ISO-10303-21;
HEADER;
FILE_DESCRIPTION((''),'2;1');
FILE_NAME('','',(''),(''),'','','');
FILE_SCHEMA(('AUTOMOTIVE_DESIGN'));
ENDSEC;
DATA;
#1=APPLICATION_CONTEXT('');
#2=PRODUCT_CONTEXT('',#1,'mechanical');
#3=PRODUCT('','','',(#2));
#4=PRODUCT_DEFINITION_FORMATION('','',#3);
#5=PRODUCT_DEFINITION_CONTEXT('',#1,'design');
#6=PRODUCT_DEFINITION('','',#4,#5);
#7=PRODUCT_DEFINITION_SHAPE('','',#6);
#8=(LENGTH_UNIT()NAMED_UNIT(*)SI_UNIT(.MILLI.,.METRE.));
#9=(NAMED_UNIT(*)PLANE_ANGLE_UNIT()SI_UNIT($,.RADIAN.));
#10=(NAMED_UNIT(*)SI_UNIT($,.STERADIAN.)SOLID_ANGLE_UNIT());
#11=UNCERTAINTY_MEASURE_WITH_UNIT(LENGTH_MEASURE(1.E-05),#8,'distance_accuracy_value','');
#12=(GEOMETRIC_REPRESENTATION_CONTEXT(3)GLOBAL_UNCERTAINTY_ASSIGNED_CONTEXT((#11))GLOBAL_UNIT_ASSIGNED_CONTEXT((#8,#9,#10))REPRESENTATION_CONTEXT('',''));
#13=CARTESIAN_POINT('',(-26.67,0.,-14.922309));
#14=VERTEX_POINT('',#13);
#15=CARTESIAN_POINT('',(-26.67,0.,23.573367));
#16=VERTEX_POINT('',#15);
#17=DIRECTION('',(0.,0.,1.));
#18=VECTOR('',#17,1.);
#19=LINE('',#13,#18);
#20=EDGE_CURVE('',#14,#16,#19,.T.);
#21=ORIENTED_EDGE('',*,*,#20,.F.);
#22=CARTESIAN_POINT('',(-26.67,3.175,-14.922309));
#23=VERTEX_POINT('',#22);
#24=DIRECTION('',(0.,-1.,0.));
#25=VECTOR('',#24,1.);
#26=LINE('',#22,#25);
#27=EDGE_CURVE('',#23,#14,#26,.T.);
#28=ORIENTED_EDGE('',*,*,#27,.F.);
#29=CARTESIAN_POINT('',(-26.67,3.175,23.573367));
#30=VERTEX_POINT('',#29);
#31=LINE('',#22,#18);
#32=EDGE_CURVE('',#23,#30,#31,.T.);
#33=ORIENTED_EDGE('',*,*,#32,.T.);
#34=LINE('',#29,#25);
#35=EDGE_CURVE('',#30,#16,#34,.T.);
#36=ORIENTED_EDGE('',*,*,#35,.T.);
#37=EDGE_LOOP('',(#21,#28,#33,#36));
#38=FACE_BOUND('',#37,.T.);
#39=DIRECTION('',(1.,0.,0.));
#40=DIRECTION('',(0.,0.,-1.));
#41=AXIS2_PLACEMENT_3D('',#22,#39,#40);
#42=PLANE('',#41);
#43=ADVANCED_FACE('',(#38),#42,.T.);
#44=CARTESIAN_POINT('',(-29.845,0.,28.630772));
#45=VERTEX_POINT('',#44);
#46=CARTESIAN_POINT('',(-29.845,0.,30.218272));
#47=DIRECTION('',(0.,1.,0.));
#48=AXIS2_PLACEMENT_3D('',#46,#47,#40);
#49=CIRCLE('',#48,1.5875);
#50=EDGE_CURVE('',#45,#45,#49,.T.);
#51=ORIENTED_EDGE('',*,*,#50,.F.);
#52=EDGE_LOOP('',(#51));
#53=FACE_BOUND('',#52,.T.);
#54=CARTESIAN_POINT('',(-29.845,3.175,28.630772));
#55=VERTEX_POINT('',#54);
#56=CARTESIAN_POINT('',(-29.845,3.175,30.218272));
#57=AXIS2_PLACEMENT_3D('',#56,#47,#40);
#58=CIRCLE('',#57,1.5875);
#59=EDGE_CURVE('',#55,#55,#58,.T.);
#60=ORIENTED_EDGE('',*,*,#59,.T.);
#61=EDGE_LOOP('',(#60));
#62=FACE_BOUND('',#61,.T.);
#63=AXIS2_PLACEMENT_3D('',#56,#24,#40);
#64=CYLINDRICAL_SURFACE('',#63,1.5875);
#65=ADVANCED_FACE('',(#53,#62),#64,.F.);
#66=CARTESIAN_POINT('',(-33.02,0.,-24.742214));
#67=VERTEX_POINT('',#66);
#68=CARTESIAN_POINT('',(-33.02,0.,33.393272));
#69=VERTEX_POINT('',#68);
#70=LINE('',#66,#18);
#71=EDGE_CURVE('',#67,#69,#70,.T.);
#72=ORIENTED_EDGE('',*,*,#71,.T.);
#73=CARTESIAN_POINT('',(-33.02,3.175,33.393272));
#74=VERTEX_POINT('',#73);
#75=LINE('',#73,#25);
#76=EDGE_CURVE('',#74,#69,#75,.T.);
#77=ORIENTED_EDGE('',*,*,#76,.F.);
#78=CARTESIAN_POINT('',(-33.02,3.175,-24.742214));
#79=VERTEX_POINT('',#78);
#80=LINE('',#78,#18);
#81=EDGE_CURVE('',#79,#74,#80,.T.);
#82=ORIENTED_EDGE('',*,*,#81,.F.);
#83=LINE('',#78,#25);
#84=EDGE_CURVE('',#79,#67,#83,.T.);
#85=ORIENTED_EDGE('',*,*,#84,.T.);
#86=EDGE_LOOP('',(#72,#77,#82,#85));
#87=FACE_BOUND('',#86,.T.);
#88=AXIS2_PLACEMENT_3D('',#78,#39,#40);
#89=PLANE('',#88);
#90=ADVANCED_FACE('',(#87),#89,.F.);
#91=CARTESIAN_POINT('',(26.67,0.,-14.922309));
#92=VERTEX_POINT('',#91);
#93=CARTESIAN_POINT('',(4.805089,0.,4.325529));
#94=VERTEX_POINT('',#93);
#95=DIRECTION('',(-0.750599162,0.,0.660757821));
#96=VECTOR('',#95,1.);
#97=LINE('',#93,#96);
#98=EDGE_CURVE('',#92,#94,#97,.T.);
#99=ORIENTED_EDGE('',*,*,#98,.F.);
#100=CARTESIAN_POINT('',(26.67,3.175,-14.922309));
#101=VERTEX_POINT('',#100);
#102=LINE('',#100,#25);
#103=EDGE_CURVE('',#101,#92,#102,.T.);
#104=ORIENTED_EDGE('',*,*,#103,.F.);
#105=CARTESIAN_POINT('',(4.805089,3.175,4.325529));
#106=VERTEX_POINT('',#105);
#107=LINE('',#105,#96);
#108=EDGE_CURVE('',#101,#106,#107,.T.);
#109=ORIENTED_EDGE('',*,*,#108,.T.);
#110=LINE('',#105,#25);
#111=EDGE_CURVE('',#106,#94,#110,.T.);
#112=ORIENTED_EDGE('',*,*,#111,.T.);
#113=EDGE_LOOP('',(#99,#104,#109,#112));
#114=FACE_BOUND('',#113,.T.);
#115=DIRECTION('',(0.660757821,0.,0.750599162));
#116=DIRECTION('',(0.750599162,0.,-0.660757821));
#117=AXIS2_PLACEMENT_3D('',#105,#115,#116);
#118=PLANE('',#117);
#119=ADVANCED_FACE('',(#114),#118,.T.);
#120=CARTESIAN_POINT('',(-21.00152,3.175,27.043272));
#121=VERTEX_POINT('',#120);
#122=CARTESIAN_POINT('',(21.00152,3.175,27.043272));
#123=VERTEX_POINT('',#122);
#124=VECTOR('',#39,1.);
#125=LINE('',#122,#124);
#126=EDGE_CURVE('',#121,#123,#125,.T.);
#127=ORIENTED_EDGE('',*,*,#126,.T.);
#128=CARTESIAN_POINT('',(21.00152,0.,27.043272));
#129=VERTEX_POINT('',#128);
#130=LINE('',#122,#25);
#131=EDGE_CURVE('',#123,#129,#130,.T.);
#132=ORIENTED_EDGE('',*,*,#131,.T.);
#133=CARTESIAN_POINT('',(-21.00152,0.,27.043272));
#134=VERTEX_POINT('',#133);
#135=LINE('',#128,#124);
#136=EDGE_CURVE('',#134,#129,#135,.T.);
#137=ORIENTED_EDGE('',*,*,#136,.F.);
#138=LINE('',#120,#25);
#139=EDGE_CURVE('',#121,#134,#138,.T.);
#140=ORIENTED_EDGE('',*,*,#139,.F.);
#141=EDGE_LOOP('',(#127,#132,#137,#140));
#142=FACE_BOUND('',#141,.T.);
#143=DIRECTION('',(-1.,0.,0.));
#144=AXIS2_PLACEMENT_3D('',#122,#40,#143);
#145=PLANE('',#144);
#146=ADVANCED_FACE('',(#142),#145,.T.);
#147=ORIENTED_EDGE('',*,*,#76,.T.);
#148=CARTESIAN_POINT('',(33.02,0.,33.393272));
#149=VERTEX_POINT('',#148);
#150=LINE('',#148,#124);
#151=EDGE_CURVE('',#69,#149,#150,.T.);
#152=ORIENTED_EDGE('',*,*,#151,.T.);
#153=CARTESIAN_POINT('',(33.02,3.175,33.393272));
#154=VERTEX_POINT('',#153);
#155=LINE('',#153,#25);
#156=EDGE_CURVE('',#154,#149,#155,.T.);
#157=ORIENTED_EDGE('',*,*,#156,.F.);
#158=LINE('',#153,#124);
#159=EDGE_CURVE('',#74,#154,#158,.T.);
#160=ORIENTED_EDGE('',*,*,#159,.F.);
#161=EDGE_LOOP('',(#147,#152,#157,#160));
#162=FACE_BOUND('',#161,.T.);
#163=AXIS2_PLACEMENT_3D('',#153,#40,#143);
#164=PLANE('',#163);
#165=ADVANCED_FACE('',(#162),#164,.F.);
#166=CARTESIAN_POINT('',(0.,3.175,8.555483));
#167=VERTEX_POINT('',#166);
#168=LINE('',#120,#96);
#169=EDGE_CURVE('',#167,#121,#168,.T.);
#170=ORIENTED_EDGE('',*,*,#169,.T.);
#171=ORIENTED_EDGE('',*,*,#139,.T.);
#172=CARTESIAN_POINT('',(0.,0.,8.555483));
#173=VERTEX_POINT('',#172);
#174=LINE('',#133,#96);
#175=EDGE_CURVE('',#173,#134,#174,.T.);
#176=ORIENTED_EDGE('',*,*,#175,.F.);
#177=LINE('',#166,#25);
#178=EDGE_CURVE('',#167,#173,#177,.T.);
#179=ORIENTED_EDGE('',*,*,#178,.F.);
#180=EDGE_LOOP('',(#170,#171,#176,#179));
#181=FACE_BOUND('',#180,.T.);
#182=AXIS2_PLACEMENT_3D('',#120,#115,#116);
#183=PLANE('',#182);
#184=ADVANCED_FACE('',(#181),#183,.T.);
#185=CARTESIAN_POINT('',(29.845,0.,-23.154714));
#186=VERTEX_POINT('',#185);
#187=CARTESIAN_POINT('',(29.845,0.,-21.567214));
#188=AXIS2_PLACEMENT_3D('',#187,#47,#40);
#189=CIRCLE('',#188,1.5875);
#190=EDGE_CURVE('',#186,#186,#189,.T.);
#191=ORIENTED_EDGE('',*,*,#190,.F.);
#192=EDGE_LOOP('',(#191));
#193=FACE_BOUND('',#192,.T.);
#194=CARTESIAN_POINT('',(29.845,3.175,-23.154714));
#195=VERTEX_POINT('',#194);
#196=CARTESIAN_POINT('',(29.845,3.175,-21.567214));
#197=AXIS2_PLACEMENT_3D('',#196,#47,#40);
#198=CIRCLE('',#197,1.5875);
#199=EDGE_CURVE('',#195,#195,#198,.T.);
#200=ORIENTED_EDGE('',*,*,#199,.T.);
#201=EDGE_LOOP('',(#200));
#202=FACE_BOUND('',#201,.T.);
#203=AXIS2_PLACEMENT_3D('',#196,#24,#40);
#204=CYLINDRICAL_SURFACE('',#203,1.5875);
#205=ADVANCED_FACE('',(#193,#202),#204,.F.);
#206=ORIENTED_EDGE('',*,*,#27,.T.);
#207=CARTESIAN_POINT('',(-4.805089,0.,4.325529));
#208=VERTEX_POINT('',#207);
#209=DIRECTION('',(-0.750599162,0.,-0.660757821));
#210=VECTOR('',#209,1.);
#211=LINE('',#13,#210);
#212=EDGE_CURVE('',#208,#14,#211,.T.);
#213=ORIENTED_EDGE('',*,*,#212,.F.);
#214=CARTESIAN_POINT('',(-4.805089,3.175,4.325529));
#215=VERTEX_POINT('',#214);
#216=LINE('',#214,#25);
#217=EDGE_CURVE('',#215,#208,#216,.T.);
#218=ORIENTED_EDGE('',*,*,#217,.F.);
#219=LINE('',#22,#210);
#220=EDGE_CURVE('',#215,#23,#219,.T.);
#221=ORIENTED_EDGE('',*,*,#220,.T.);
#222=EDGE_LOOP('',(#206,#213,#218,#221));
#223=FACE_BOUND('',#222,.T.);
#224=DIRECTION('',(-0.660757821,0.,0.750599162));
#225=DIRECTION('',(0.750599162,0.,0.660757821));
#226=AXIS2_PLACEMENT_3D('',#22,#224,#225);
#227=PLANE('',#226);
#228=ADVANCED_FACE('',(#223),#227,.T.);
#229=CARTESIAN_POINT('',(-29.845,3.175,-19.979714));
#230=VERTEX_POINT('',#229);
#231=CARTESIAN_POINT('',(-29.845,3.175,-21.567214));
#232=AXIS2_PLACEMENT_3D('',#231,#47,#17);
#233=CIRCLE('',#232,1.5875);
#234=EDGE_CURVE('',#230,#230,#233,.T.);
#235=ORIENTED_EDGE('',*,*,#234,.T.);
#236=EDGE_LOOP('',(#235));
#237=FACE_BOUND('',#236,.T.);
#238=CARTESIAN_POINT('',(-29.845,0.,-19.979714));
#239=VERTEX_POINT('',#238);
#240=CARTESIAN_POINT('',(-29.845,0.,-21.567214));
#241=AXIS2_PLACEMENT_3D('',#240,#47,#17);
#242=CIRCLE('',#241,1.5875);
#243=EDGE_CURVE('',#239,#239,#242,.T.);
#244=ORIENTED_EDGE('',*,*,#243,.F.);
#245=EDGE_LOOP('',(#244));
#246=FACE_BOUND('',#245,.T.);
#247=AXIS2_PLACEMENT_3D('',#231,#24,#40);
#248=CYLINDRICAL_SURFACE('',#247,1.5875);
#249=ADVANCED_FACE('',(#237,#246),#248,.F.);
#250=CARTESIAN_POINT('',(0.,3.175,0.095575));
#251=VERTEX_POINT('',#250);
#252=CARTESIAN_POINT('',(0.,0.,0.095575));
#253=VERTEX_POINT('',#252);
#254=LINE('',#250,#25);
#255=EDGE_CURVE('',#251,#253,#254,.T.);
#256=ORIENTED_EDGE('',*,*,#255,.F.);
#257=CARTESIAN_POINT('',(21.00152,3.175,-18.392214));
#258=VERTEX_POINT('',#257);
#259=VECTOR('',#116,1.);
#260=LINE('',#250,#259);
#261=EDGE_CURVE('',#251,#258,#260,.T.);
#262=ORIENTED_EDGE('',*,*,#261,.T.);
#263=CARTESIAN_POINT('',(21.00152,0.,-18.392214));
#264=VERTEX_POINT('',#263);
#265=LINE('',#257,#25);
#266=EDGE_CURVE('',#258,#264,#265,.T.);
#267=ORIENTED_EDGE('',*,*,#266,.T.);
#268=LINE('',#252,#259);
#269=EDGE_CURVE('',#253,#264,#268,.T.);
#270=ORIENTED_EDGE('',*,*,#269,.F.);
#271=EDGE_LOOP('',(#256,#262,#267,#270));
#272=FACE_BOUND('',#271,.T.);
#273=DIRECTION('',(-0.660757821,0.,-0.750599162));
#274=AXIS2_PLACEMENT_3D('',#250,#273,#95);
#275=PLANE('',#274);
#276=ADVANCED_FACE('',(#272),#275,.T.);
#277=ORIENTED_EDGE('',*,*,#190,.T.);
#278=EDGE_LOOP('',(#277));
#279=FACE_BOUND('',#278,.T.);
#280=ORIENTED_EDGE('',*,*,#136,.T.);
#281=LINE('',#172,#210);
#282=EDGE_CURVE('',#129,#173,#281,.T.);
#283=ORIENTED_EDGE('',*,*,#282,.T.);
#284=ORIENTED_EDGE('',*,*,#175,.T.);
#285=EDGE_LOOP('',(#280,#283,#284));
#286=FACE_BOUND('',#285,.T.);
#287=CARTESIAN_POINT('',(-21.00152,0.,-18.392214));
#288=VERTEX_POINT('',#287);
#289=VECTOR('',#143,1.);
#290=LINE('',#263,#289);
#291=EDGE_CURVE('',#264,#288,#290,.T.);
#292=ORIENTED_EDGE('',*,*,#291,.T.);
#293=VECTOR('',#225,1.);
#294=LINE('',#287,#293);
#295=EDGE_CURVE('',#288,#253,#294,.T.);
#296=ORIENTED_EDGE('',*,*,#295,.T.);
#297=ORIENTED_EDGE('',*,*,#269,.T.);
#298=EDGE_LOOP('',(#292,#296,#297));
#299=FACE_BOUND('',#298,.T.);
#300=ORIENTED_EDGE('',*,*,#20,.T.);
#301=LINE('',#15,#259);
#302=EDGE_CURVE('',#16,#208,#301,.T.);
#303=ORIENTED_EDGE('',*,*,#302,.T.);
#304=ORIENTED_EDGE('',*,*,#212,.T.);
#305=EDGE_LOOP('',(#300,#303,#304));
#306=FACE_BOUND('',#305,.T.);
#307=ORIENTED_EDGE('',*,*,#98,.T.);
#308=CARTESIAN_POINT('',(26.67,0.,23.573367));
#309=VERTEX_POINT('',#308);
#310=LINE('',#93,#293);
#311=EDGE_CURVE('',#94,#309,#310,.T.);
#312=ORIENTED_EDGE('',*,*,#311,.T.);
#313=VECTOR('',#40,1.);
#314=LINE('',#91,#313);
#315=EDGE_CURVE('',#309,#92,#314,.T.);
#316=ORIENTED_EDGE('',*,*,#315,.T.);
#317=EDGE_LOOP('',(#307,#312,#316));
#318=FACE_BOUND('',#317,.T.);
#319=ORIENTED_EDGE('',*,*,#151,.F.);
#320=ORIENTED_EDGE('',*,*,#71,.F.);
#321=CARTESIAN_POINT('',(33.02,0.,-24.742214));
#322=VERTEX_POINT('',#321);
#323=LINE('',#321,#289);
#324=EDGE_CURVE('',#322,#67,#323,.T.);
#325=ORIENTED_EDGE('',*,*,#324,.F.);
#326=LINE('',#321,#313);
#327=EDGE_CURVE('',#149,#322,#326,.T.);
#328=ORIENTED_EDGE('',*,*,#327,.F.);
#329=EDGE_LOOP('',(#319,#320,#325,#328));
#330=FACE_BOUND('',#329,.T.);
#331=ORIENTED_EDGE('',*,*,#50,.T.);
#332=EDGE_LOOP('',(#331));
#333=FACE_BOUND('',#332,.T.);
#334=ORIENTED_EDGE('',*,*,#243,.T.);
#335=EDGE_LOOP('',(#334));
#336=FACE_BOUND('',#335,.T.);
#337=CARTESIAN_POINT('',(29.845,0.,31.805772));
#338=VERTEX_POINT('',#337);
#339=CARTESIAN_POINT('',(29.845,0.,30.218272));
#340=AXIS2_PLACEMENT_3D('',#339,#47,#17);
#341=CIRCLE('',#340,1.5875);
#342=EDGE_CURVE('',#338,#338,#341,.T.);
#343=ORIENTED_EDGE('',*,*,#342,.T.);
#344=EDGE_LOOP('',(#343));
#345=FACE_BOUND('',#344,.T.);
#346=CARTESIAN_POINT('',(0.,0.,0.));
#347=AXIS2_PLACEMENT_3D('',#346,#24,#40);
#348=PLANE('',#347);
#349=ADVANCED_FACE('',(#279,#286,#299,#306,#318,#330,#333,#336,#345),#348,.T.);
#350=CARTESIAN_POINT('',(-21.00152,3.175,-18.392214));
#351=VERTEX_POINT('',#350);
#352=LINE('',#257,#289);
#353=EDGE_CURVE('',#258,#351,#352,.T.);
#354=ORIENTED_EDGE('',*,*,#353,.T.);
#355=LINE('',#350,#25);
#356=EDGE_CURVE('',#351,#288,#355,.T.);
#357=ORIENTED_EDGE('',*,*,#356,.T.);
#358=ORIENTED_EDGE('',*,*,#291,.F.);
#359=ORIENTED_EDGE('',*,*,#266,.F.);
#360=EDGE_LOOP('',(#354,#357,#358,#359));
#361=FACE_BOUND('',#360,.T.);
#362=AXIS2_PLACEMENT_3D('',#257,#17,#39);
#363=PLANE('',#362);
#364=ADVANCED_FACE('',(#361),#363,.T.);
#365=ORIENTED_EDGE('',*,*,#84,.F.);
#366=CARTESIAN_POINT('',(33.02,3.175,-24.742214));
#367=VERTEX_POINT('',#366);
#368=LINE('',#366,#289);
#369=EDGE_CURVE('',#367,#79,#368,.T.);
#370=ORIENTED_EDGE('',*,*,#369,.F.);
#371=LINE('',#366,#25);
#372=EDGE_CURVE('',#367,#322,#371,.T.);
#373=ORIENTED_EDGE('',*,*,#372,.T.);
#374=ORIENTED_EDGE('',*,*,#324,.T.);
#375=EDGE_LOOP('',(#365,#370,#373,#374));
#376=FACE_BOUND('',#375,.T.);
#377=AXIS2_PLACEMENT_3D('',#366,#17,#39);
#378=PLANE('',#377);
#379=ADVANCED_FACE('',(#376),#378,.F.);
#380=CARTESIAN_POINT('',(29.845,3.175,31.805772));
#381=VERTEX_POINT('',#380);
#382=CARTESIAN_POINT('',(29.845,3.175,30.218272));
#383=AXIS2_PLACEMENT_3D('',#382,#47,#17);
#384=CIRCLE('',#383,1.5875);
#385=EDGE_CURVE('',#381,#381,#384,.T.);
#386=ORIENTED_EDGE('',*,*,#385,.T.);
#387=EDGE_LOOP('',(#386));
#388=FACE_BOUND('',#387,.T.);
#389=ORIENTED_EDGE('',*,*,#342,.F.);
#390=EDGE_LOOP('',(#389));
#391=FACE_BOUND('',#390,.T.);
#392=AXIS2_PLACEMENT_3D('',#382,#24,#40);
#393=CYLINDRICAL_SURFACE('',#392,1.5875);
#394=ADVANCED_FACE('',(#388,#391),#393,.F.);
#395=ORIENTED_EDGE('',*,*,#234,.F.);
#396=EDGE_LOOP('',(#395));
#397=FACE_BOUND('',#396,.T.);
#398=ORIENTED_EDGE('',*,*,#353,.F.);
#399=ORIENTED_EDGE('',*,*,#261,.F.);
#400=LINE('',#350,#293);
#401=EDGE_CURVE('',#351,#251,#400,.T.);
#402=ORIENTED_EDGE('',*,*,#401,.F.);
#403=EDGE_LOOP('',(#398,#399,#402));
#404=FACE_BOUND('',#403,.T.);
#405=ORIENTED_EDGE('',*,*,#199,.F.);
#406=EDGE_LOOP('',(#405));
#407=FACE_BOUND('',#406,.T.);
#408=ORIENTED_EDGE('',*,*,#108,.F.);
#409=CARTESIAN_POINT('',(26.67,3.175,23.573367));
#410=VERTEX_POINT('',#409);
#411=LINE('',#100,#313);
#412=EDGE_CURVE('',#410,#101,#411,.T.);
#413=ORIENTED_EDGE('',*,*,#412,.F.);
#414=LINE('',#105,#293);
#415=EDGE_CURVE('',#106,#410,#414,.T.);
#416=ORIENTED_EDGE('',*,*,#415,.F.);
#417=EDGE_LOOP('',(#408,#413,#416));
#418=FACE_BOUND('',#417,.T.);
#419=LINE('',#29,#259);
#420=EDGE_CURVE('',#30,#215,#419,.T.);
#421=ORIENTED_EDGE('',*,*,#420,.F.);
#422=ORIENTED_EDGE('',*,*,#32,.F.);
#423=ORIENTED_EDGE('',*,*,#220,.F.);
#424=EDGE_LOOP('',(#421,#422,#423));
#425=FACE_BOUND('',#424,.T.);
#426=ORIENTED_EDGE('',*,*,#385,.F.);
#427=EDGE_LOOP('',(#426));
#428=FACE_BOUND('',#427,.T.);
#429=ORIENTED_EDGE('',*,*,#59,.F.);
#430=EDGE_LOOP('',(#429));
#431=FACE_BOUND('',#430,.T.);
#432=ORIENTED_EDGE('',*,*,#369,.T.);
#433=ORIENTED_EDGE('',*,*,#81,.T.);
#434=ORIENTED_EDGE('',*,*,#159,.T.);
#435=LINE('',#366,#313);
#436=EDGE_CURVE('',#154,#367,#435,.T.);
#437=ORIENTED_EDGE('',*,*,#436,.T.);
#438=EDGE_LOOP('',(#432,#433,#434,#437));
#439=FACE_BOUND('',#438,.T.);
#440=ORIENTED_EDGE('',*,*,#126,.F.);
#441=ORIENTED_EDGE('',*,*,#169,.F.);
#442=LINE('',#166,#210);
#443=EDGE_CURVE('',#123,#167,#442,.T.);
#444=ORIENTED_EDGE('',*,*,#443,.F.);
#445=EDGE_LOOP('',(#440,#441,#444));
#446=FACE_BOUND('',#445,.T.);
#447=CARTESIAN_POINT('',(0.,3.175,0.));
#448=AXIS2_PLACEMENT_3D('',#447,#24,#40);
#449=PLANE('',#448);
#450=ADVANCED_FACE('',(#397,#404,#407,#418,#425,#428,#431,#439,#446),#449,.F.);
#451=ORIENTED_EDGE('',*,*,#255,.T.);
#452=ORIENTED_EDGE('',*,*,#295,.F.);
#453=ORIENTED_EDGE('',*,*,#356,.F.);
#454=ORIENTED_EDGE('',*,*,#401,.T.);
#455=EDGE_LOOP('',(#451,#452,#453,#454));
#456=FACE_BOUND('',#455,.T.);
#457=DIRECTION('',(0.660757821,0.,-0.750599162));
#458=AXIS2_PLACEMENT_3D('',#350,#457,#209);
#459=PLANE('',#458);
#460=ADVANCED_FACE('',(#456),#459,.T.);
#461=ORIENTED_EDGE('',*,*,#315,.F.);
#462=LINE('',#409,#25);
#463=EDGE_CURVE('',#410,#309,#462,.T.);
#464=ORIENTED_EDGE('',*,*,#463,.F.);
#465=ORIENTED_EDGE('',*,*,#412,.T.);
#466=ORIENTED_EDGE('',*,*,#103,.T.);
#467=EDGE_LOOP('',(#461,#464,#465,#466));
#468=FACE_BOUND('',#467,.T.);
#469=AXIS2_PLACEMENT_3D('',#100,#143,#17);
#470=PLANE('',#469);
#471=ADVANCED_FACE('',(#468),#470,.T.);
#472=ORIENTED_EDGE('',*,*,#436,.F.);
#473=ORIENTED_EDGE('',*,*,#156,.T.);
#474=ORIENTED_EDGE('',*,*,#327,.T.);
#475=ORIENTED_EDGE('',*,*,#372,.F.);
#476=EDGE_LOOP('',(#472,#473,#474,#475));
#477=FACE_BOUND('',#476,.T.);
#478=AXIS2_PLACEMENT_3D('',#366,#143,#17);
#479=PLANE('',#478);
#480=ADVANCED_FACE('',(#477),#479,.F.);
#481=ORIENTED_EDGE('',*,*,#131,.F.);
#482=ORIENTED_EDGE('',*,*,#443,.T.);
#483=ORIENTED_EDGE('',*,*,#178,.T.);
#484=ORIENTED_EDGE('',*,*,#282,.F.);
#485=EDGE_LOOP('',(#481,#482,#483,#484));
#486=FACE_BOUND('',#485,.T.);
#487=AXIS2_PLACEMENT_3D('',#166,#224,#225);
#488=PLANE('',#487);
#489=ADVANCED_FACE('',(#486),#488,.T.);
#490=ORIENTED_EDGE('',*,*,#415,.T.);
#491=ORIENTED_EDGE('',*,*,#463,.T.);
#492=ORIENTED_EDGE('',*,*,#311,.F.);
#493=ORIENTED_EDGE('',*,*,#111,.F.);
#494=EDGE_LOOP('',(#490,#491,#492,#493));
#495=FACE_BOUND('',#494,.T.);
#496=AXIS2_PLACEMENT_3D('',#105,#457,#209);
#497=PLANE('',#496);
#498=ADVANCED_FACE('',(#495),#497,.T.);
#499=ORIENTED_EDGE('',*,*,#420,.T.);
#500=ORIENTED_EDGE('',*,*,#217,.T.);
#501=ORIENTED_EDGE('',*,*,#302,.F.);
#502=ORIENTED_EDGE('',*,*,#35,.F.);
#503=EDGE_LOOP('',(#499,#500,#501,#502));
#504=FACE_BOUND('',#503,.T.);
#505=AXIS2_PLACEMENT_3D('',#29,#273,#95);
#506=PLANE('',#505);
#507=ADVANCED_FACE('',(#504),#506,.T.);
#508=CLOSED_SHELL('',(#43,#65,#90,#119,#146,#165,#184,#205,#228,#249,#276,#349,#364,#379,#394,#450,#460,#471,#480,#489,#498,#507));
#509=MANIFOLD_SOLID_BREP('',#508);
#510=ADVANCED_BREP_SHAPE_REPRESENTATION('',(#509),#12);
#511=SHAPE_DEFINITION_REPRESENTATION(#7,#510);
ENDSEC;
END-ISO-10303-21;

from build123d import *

# Parameters (mm, degrees)
SKETCH1_W           = 66.04
SKETCH1_H           = 58.135485311
SKETCH1_R           = 1.5875
BOSS_EXTRUDE1_DEPTH = 3.175


with BuildPart() as part:
    # Sketch1 → Boss-Extrude1 (new body)
    with BuildSketch(Plane(origin=(0, 0, 0), x_dir=(1, 0, 0), z_dir=(0, 1, 0))):
        with Locations((0, -4.325528995)):
            Rectangle(SKETCH1_W, SKETCH1_H)
        with Locations(Location((29.845, 21.56721366, 0), (0, 0, 90))):
            Circle(SKETCH1_R, mode=Mode.SUBTRACT)
        with Locations(Location((29.845, -30.218271651, 0), (0, 0, 270))):
            Circle(SKETCH1_R, mode=Mode.SUBTRACT)
        with Locations(Location((-29.845, -30.218271651, 0), (0, 0, 90))):
            Circle(SKETCH1_R, mode=Mode.SUBTRACT)
        with Locations(Location((-29.845, 21.56721366, 0), (0, 0, 270))):
            Circle(SKETCH1_R, mode=Mode.SUBTRACT)
        Polygon((-26.67, -23.573367042), (-4.805088789, -4.325528996), (-26.67, 14.92230905), align=None, mode=Mode.SUBTRACT)
        Polygon((-21.00151998, 18.39221366), (0, -0.095574897), (21.00151998, 18.39221366), align=None, mode=Mode.SUBTRACT)
        Polygon((0, -8.555483095), (21.00151998, -27.043271651), (-21.00151998, -27.043271651), align=None, mode=Mode.SUBTRACT)
        Polygon((4.805088789, -4.325528996), (26.67, 14.92230905), (26.67, -23.573367042), align=None, mode=Mode.SUBTRACT)
    extrude(amount=BOSS_EXTRUDE1_DEPTH)


solid = part.part
